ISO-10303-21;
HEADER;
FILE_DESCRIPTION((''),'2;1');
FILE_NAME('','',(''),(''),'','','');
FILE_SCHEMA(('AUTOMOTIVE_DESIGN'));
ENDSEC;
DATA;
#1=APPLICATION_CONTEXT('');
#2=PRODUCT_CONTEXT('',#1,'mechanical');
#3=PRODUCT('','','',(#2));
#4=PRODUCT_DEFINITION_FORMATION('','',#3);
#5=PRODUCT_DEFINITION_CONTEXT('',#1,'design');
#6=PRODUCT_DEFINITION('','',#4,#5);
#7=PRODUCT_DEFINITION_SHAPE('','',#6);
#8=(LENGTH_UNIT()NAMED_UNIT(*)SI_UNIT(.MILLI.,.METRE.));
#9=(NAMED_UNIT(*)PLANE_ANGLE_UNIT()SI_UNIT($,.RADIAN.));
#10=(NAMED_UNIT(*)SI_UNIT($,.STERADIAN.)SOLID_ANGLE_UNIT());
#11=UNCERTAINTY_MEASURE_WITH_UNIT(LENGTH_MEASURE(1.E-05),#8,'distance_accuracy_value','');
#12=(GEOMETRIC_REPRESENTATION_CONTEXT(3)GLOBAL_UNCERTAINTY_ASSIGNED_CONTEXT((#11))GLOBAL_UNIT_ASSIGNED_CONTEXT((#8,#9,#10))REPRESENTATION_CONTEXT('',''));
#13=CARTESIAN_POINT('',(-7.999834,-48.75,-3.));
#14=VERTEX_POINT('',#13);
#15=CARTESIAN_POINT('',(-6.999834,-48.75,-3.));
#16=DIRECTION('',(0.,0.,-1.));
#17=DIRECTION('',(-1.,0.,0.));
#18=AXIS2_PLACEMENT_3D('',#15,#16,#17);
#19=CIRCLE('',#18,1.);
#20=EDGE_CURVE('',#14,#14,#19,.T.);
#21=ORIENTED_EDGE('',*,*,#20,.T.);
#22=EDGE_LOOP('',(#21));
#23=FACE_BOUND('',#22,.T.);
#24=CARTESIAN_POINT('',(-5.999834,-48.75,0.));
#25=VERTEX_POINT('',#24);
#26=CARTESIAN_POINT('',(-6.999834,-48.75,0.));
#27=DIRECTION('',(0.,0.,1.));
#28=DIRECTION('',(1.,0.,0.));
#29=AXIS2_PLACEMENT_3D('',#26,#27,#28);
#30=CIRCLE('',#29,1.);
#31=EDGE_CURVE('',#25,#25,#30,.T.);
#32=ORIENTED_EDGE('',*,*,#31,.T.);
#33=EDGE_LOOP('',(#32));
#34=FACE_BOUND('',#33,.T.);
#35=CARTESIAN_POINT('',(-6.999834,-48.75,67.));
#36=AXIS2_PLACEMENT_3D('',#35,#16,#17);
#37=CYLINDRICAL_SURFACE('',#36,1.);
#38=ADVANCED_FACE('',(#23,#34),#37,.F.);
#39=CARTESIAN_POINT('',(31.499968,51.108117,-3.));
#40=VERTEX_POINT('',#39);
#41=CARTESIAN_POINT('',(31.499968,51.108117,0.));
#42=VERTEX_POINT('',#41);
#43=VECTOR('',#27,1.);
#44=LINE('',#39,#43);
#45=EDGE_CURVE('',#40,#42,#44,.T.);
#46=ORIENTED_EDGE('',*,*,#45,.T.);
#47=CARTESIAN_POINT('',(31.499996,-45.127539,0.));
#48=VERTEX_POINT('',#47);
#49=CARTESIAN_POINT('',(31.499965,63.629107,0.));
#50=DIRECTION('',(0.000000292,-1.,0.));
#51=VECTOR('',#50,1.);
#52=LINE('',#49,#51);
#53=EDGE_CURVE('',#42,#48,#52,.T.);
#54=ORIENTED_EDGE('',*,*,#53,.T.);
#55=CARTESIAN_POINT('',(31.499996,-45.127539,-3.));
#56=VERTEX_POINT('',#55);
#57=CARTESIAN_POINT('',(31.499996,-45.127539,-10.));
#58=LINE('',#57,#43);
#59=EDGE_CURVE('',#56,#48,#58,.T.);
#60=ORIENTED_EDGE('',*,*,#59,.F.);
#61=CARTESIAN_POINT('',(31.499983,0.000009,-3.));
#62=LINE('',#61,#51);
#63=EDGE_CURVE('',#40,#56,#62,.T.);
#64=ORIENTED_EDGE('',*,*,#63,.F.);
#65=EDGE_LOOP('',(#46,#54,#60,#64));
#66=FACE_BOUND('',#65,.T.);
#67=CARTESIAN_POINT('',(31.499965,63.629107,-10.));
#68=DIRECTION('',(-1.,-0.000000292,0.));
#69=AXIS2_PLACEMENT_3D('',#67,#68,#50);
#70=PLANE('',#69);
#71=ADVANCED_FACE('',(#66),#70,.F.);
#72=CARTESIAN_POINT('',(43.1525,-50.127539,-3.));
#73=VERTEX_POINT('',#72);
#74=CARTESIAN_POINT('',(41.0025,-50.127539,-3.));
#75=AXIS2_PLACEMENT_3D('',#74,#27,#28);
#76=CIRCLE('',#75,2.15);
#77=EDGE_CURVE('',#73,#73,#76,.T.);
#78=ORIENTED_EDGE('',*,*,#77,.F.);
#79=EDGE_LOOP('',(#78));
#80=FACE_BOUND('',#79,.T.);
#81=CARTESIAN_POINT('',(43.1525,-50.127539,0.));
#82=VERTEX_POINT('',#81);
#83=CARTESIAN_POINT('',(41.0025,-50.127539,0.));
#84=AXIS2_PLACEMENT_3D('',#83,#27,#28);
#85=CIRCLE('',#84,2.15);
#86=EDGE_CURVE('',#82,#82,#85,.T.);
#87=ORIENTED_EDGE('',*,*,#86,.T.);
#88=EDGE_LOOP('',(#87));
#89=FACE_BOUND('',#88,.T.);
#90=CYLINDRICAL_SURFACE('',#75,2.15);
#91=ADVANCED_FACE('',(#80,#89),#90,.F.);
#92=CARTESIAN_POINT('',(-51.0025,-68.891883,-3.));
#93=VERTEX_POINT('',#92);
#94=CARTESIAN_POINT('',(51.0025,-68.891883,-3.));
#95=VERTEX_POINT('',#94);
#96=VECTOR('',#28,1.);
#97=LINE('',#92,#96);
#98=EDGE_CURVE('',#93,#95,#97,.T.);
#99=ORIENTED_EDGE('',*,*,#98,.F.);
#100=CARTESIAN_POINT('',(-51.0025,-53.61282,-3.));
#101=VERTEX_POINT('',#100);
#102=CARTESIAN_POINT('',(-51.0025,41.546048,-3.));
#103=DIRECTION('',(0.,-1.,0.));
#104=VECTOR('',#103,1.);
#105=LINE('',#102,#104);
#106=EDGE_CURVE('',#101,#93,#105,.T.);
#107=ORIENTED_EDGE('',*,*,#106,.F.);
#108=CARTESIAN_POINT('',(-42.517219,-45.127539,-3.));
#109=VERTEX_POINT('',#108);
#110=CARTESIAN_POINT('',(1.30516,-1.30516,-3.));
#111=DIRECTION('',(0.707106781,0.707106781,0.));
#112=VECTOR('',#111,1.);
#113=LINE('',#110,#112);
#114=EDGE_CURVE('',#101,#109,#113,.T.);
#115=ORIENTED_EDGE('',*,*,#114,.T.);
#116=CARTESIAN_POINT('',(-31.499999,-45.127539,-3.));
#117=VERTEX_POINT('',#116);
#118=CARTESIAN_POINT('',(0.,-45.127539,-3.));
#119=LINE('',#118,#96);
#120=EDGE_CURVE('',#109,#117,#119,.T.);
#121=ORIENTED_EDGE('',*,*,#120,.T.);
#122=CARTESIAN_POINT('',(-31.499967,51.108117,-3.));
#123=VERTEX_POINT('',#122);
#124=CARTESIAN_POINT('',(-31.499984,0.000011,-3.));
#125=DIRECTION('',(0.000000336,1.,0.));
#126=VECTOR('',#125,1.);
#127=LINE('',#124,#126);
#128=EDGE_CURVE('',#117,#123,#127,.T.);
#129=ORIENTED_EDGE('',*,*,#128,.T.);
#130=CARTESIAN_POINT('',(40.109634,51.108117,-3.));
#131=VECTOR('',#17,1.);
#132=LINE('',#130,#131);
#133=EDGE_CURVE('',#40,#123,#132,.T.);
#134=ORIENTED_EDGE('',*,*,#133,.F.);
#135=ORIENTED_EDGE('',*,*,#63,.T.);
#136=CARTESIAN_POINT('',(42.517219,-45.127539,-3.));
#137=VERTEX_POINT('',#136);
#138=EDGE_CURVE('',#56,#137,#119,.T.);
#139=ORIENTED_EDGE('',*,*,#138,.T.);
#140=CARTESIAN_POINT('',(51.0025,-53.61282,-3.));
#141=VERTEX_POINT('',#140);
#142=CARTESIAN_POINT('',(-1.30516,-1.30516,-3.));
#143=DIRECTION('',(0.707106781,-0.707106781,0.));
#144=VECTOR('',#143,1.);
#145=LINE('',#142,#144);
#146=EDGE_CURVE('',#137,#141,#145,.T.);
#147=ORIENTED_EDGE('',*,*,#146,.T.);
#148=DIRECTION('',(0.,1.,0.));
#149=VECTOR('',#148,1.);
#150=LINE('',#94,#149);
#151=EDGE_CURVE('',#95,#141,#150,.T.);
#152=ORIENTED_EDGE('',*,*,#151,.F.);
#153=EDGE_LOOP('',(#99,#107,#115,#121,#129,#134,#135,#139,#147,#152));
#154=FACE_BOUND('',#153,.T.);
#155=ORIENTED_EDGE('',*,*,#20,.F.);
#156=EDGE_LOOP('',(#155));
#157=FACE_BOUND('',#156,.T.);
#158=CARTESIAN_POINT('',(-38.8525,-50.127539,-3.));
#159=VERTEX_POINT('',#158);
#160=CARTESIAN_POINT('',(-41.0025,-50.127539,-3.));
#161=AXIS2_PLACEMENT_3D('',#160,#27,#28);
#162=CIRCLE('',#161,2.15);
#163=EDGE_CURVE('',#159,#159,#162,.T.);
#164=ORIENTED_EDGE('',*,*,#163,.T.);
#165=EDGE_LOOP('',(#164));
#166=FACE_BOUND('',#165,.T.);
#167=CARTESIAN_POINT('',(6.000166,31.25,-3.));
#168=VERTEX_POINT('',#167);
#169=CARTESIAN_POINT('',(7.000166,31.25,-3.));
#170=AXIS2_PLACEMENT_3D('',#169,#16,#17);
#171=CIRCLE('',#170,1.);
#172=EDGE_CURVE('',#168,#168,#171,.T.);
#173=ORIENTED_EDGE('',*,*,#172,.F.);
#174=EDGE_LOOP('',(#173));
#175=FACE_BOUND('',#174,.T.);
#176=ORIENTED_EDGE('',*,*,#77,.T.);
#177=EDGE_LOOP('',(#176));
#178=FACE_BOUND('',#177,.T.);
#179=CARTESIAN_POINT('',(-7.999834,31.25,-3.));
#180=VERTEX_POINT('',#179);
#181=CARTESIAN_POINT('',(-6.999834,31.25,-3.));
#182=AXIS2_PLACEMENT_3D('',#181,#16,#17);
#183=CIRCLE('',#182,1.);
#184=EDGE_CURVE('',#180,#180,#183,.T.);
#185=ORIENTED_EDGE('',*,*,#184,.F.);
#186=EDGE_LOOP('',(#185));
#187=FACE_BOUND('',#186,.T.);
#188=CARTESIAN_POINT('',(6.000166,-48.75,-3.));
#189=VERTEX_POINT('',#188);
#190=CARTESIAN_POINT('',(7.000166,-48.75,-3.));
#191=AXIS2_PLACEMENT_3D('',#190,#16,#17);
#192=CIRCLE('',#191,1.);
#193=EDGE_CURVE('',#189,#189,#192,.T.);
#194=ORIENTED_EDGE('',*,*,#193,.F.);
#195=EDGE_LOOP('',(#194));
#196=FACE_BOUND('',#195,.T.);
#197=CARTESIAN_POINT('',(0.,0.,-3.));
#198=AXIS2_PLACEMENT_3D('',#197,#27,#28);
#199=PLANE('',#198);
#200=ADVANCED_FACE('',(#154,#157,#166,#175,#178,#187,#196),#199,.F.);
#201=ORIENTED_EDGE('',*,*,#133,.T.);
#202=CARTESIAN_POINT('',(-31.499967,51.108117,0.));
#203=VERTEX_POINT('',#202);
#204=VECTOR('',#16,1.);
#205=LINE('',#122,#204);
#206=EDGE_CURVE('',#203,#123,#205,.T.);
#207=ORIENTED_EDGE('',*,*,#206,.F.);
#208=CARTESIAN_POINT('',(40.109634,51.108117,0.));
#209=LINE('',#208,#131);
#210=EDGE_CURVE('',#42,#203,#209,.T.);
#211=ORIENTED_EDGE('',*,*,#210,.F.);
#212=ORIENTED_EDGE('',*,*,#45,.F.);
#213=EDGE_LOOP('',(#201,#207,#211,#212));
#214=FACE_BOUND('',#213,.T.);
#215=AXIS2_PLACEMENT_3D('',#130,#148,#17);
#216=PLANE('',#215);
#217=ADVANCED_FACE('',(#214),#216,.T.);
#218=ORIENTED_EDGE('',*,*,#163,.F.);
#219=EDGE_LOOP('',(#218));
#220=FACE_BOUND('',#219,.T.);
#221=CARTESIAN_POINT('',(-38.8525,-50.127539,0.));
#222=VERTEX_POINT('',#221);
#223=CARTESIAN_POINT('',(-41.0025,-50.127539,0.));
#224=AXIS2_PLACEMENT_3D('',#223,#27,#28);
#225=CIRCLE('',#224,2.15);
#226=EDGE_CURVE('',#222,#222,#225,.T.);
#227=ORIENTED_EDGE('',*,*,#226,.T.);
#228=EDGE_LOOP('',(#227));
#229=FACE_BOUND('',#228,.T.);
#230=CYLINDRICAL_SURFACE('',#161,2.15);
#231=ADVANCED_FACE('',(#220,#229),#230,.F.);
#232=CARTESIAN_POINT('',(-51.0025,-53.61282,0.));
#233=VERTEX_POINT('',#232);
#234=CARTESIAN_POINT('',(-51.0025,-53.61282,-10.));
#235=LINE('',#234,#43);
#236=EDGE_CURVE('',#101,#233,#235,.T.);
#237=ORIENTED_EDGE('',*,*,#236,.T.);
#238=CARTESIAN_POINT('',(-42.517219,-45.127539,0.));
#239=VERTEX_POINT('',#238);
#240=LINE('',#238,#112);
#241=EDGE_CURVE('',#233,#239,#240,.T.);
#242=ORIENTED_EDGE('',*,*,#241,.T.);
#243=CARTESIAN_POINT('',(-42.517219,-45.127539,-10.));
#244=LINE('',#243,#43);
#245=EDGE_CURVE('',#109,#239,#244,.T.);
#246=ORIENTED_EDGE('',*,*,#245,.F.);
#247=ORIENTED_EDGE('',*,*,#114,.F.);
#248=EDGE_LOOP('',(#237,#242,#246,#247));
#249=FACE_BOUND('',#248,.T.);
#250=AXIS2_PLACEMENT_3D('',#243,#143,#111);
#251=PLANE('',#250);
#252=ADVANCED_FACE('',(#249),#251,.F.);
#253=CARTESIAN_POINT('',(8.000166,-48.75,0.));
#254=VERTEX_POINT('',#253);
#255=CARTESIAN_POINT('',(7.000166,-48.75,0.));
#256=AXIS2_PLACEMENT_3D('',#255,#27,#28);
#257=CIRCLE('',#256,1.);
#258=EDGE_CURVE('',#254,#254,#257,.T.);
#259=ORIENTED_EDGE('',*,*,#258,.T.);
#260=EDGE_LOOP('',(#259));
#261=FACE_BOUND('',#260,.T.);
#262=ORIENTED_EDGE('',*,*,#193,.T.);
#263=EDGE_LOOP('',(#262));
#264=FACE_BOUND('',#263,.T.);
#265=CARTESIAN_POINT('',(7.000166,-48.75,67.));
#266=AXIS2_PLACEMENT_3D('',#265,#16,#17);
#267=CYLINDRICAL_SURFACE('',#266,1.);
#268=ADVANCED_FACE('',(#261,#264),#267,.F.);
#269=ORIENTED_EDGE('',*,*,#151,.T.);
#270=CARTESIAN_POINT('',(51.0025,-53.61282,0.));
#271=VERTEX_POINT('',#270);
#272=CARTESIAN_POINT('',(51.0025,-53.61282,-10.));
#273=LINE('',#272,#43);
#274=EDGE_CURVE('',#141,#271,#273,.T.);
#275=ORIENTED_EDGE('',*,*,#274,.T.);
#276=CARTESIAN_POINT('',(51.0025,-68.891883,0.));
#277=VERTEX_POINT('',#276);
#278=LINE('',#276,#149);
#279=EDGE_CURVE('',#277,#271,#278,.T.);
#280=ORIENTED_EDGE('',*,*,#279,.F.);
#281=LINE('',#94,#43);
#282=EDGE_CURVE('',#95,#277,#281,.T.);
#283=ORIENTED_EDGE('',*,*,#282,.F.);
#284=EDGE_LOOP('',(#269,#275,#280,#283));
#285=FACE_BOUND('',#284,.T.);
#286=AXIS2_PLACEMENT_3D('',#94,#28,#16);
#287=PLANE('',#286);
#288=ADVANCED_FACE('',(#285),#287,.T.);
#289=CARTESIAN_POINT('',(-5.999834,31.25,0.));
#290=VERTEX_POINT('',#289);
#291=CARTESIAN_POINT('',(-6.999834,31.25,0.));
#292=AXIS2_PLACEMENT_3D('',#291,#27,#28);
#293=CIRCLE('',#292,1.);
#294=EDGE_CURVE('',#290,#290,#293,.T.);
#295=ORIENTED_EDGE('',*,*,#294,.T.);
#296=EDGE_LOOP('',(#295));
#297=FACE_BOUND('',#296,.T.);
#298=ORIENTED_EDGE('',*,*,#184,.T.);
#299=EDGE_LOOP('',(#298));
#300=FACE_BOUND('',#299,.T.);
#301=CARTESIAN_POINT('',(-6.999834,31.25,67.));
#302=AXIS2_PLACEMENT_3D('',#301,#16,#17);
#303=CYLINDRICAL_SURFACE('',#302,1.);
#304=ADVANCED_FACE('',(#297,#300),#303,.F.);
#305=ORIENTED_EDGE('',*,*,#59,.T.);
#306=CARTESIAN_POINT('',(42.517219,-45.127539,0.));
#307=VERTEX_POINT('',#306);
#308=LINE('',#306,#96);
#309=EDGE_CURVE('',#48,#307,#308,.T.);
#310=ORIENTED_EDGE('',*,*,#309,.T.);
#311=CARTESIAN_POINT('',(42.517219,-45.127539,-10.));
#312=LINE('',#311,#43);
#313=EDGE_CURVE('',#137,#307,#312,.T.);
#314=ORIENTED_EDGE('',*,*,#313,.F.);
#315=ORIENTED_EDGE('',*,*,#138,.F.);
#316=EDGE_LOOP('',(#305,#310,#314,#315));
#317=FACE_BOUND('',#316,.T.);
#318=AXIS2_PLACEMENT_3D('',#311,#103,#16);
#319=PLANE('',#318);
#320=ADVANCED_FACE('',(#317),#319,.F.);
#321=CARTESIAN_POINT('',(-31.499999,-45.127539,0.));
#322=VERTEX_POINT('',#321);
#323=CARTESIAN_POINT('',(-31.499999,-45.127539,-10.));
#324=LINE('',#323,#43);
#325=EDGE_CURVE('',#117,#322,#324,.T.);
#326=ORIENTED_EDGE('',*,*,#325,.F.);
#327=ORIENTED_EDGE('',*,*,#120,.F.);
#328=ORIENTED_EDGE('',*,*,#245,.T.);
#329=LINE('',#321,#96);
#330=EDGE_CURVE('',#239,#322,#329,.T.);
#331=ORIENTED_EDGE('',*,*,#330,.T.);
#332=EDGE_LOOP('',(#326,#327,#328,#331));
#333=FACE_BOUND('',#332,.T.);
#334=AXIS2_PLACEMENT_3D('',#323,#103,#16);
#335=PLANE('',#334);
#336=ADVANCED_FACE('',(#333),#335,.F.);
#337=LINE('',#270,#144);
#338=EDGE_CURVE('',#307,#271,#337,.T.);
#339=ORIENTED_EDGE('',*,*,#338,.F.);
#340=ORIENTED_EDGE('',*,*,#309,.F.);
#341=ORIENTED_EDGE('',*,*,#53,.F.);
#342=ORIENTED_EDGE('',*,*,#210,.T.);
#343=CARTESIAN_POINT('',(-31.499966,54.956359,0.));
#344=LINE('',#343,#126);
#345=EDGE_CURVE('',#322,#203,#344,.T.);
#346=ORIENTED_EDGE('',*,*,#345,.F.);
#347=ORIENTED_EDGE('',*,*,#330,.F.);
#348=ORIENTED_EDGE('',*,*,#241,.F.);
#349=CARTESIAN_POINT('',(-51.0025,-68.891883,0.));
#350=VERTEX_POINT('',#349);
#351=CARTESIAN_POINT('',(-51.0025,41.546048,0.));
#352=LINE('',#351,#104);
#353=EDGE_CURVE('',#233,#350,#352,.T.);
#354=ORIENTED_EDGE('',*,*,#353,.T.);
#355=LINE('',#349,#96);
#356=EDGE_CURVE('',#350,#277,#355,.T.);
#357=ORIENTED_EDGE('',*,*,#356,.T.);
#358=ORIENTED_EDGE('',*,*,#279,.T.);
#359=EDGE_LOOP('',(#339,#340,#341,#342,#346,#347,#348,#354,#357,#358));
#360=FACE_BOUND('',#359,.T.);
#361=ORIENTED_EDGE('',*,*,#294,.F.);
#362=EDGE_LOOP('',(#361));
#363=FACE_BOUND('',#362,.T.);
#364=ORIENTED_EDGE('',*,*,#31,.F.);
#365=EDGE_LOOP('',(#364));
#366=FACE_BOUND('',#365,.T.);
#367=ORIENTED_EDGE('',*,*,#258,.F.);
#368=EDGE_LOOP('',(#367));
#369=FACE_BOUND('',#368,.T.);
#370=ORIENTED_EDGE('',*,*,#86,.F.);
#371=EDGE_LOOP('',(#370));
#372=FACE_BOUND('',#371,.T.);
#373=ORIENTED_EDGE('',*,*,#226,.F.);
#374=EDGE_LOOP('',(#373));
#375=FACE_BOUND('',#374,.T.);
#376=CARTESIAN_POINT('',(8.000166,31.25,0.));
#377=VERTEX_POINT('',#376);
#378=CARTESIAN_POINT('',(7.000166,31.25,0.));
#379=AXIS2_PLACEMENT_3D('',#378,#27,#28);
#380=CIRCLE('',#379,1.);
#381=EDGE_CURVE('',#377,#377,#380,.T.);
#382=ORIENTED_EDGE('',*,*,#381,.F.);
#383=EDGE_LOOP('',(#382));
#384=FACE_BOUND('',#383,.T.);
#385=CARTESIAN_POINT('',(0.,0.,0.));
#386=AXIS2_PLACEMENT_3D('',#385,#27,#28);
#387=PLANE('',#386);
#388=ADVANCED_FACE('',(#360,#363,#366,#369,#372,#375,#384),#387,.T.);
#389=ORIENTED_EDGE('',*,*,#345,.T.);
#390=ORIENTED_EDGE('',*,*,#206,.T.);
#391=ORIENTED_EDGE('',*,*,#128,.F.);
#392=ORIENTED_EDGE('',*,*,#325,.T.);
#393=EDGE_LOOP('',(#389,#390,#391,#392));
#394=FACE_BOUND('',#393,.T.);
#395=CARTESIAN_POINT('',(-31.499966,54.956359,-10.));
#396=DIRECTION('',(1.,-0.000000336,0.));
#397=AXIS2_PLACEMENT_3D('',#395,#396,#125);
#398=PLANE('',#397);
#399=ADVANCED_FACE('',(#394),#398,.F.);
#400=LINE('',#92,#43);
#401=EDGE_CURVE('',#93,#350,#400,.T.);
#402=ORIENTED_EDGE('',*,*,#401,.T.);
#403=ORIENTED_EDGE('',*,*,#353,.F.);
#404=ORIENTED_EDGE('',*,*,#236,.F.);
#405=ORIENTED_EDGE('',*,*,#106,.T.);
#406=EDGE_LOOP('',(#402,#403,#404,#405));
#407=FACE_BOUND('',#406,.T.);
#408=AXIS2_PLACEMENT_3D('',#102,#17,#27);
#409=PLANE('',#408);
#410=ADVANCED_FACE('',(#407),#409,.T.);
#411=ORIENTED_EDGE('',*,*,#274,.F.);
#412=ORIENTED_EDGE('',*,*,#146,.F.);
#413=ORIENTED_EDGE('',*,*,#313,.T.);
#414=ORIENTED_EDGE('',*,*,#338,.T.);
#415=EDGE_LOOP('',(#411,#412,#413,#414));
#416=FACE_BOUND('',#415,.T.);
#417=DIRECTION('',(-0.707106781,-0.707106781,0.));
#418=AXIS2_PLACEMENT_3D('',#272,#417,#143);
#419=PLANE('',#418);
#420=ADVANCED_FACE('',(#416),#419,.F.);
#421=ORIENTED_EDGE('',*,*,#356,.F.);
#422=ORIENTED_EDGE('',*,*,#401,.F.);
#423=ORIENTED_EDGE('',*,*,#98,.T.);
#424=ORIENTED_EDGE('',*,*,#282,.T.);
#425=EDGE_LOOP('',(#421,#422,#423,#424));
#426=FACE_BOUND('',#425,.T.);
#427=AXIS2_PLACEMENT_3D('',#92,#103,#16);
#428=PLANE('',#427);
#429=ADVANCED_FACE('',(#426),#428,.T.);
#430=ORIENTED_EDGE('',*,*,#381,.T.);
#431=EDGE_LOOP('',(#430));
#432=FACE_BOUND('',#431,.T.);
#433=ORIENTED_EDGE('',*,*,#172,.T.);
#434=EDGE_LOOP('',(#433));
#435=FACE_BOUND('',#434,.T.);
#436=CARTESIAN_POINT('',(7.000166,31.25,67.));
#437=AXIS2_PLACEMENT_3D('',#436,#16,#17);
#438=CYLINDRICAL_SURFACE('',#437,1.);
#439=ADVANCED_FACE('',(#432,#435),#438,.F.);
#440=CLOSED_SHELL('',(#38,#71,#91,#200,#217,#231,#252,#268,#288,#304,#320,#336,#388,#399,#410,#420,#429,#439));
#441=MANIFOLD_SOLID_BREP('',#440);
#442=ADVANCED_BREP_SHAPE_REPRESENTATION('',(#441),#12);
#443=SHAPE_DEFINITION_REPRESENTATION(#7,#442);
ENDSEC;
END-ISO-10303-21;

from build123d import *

# Parameters (mm, degrees)
EXTRUDE_1_DEPTH     = 3
SKETCH_2_R          = 2.15
CUT_EXTRUDE_1_DEPTH = 3
SKETCH_3_R          = 1
CUT_EXTRUDE_2_DEPTH = 70
CUT_EXTRUDE1_DEPTH  = 10


with BuildPart() as part:
    # 草图1 → 凸台-拉伸1 (new body)
    with BuildSketch(Plane.XY):
        Polygon((-51.0025, -68.891882816), (51.0025, -68.891882816), (51.0025, 35.266689181), (40.10963441, 51.108117184), (-37.096440595, 51.108117184), (-51.0025, 41.546047656), align=None)
    extrude(amount=-EXTRUDE_1_DEPTH)

    # 草图2 → 切除-拉伸1 (cut)
    with BuildSketch(Plane.XY):
        with Locations((-41.0025, 9.872461287)):
            Circle(SKETCH_2_R)
        with Locations((-41.0025, -50.127538712)):
            Circle(SKETCH_2_R)
        with Locations((41.0025, 9.872461287)):
            Circle(SKETCH_2_R)
        with Locations((41.0025, -50.127538712)):
            Circle(SKETCH_2_R)
    extrude(amount=-CUT_EXTRUDE_1_DEPTH, mode=Mode.SUBTRACT)

    # 草图3 → 切除-拉伸2 (cut)
    with BuildSketch(Plane(origin=(0, 0, -3), x_dir=(-1, 0, 0), z_dir=(0, 0, -1))):
        with Locations((-7.000166, 31.25)):
            Circle(SKETCH_3_R)
        with Locations((6.999834, 31.25)):
            Circle(SKETCH_3_R)
        with Locations((-7.000166, -48.75)):
            Circle(SKETCH_3_R)
        with Locations((6.999834, -48.75)):
            Circle(SKETCH_3_R)
    extrude(amount=-CUT_EXTRUDE_2_DEPTH, mode=Mode.SUBTRACT)

    # Sketch1 → Cut-Extrude1 (cut)
    with BuildSketch(Plane.XY):
        Polygon((51.0025, -53.612820087), (42.517218626, -45.127538713), (31.499996481, -45.127538713), (31.499964702, 63.629107338), (51.0025, 63.629107338), align=None)
        Polygon((-31.499999356, -45.127538713), (-42.517218626, -45.127538713), (-51.0025, -53.612820087), (-51.0025, 54.95635915), (-31.499965771, 54.95635915), align=None)
    extrude(amount=-CUT_EXTRUDE1_DEPTH, mode=Mode.SUBTRACT)


solid = part.part
